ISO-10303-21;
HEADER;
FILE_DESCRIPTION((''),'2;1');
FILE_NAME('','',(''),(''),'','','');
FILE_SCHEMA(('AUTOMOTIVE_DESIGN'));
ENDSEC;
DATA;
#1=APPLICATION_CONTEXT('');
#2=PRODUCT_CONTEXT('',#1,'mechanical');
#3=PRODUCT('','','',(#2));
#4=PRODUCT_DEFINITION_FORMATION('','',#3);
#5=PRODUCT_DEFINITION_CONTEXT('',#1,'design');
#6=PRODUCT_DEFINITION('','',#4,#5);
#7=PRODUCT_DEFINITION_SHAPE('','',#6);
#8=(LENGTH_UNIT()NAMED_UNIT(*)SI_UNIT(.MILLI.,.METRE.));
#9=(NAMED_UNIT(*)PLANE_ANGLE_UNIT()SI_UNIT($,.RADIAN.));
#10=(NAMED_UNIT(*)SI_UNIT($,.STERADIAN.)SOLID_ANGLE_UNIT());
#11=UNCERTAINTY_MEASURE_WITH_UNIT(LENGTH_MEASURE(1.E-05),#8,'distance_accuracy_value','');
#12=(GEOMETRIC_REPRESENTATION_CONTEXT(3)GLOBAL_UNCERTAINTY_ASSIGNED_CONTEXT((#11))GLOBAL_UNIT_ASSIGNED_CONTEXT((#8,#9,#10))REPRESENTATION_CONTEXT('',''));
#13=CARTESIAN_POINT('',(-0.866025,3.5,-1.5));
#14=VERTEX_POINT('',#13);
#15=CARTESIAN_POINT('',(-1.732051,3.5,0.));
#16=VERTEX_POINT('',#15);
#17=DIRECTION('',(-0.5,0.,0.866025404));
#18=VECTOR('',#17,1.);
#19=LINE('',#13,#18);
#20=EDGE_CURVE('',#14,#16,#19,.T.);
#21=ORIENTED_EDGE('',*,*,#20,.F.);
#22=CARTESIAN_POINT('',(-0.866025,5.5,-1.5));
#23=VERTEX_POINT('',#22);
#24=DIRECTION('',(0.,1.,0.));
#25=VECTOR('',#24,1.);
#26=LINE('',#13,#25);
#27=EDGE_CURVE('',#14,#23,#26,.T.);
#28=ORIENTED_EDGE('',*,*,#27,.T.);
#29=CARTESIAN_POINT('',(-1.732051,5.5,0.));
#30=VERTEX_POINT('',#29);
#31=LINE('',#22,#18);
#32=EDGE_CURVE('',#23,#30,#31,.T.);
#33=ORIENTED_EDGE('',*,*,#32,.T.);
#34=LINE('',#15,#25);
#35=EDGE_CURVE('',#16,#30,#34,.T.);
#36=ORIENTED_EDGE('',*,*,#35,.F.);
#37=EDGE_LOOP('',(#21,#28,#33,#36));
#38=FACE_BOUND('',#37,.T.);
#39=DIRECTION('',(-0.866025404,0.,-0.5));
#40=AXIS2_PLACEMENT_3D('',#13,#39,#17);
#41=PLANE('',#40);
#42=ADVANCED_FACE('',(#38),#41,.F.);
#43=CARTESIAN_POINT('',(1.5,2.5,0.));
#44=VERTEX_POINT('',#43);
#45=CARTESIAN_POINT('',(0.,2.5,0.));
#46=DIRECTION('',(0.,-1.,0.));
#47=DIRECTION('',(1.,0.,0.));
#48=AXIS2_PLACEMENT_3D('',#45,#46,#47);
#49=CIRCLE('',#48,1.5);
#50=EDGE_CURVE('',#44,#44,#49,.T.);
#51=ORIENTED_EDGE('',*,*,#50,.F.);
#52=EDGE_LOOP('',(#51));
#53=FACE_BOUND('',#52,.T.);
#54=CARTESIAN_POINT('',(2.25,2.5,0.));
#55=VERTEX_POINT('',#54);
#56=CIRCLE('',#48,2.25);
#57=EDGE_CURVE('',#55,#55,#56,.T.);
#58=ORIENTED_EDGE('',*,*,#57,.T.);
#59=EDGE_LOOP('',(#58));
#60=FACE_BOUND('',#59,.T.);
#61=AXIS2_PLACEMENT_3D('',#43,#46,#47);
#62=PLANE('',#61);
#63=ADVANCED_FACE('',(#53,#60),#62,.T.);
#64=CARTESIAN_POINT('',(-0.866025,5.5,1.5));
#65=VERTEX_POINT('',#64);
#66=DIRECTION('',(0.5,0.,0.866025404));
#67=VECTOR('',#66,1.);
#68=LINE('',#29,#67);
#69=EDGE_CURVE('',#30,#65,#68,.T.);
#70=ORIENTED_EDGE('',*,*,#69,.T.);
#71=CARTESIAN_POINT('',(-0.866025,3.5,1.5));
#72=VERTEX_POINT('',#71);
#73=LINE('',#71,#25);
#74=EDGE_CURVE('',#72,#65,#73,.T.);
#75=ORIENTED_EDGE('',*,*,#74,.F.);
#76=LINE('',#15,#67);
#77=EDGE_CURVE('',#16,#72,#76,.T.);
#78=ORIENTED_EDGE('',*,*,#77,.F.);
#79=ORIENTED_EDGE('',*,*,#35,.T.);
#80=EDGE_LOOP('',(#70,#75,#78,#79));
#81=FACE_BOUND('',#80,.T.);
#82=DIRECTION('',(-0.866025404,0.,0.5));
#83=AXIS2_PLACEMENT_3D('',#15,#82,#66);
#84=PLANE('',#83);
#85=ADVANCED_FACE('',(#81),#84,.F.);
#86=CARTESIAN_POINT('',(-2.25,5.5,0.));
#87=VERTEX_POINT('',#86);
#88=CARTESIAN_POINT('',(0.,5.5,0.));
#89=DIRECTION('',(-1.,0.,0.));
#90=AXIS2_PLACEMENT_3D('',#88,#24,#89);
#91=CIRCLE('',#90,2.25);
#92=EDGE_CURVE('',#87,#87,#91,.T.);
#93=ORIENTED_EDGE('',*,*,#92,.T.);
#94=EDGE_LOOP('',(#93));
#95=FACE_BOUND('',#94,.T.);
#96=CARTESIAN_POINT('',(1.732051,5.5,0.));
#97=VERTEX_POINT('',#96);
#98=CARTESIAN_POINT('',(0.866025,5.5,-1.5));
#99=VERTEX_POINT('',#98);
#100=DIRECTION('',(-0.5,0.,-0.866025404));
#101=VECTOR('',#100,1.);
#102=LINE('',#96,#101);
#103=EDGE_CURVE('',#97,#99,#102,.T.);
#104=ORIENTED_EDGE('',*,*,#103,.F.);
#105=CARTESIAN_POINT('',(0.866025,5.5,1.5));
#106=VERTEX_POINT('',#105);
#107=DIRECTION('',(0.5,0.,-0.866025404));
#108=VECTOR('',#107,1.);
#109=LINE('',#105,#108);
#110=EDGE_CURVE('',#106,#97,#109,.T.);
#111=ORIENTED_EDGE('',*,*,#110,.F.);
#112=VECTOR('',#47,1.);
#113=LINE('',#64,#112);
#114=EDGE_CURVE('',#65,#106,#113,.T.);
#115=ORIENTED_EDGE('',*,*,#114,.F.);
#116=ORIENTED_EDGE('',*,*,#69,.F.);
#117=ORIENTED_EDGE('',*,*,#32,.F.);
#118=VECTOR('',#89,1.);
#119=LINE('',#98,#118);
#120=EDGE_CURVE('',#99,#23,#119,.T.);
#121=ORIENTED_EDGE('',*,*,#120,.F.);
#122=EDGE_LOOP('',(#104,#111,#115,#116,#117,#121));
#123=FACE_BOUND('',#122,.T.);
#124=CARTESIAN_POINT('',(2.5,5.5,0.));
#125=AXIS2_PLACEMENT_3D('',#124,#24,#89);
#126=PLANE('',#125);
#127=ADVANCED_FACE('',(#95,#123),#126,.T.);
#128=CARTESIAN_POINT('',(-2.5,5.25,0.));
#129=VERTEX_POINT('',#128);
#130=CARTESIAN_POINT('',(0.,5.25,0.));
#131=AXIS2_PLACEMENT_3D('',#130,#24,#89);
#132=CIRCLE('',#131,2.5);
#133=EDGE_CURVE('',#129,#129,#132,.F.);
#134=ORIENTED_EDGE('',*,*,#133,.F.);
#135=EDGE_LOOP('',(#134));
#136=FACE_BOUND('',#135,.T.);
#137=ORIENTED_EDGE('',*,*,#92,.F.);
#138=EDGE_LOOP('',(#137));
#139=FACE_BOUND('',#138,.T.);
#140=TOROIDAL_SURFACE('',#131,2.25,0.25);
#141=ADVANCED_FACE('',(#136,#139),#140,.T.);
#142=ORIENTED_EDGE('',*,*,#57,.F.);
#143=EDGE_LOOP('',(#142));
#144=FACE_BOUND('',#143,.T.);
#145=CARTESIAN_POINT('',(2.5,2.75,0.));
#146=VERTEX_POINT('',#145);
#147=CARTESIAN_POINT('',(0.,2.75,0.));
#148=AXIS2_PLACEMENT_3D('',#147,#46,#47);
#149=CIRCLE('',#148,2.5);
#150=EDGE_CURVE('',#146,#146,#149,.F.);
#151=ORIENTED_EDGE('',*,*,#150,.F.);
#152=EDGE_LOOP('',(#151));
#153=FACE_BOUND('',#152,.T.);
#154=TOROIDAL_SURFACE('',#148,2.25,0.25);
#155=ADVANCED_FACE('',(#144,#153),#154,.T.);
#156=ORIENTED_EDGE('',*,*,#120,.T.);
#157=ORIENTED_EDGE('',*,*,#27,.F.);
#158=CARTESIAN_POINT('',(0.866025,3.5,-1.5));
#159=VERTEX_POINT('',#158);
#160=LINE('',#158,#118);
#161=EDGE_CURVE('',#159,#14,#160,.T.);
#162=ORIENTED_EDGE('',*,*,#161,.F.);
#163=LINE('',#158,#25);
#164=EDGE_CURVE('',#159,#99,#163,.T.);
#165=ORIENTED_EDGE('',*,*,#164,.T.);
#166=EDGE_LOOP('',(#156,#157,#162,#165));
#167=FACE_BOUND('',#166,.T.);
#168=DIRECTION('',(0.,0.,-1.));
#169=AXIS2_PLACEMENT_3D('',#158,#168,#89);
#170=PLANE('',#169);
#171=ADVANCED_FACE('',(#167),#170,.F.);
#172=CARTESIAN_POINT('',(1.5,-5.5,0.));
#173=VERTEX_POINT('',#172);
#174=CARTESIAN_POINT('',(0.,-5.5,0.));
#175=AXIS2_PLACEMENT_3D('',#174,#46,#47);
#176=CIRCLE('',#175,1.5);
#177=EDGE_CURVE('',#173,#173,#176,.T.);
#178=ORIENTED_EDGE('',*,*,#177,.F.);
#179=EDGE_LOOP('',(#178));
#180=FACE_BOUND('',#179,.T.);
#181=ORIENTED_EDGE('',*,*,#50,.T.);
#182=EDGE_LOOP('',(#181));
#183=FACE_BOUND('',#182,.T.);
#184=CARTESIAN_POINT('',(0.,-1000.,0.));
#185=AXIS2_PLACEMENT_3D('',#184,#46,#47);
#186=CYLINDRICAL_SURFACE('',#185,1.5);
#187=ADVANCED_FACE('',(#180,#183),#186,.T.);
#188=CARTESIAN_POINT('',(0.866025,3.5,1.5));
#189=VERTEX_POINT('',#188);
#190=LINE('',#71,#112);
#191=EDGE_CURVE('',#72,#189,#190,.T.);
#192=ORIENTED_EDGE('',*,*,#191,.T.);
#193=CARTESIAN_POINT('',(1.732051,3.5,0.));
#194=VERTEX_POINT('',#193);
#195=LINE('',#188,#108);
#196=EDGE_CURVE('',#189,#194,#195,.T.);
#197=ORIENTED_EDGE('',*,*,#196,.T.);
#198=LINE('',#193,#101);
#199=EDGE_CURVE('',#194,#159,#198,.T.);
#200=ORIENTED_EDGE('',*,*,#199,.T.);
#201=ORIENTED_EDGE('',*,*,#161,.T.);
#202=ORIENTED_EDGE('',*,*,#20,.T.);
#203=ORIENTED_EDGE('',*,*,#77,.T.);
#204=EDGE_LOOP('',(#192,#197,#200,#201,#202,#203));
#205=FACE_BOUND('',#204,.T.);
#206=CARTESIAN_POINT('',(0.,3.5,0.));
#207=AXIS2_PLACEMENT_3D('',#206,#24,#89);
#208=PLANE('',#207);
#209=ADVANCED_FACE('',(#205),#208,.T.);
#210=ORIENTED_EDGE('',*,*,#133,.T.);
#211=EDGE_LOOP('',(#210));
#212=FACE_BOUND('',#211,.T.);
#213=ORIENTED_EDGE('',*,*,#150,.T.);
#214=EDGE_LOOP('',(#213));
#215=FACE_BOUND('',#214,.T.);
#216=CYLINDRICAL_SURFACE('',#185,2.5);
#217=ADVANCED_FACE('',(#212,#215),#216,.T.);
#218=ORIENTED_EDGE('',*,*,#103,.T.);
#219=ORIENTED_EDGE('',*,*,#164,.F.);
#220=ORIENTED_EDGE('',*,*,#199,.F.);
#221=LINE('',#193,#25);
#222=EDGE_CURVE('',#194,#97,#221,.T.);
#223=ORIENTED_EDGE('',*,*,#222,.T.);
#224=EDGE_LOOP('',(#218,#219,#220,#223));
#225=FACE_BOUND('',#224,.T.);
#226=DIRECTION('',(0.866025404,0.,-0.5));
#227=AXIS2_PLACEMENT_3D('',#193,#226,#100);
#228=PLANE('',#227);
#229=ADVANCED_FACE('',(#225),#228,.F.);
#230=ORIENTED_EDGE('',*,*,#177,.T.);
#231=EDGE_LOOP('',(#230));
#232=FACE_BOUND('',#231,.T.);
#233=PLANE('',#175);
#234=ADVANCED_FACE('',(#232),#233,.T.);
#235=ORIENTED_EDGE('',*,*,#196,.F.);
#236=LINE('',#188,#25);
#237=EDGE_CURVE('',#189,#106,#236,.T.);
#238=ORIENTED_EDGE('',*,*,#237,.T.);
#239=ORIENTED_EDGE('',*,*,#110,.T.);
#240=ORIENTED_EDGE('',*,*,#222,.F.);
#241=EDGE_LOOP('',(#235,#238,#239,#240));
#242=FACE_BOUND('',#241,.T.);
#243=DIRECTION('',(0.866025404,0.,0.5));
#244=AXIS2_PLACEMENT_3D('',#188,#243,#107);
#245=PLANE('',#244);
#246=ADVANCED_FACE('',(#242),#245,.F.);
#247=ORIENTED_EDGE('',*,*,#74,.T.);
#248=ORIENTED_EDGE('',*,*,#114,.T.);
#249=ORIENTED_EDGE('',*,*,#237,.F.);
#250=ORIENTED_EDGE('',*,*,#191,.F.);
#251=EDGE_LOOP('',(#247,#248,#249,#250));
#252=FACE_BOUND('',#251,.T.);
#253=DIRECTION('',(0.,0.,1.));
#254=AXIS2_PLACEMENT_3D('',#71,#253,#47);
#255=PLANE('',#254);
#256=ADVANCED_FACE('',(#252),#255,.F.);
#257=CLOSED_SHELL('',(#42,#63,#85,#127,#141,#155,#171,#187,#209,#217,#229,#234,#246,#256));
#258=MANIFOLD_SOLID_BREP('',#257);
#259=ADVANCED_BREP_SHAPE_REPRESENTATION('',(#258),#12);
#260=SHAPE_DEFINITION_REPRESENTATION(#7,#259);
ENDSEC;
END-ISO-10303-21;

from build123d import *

# Parameters (mm, degrees)
CUT_EXTRUDE1_DEPTH = 2
FILLET1_R          = 0.25


with BuildPart() as part:
    # Sketch1 → Revolve1 (revolve)
    with BuildSketch(Plane.XY):
        Polygon((0, -5.5), (1.5, -5.5), (1.5, 2.5), (2.5, 2.5), (2.5, 5.5), (0, 5.5), align=None)
    revolve(axis=Axis((0, -1000, 0), (0, 1, 0)))

    # Sketch2 → Cut-Extrude1 (cut)
    with BuildSketch(Plane(origin=(0, 5.5, 0), x_dir=(1, 0, 0), z_dir=(0, 1, 0))):
        Polygon((0.866025404, 1.5), (-0.866025404, 1.5), (-1.732050808, 0), (-0.866025404, -1.5), (0.866025404, -1.5), (1.732050808, 0), align=None)
    extrude(amount=-CUT_EXTRUDE1_DEPTH, mode=Mode.SUBTRACT)

    # Fillet1
    fillet1_edges = [part.edges().sort_by_distance(p)[0] for p in [
        (-2.5, 5.5, 0),
        (-2.5, 2.5, 0),
    ]]
    fillet(fillet1_edges, radius=FILLET1_R)


solid = part.part
